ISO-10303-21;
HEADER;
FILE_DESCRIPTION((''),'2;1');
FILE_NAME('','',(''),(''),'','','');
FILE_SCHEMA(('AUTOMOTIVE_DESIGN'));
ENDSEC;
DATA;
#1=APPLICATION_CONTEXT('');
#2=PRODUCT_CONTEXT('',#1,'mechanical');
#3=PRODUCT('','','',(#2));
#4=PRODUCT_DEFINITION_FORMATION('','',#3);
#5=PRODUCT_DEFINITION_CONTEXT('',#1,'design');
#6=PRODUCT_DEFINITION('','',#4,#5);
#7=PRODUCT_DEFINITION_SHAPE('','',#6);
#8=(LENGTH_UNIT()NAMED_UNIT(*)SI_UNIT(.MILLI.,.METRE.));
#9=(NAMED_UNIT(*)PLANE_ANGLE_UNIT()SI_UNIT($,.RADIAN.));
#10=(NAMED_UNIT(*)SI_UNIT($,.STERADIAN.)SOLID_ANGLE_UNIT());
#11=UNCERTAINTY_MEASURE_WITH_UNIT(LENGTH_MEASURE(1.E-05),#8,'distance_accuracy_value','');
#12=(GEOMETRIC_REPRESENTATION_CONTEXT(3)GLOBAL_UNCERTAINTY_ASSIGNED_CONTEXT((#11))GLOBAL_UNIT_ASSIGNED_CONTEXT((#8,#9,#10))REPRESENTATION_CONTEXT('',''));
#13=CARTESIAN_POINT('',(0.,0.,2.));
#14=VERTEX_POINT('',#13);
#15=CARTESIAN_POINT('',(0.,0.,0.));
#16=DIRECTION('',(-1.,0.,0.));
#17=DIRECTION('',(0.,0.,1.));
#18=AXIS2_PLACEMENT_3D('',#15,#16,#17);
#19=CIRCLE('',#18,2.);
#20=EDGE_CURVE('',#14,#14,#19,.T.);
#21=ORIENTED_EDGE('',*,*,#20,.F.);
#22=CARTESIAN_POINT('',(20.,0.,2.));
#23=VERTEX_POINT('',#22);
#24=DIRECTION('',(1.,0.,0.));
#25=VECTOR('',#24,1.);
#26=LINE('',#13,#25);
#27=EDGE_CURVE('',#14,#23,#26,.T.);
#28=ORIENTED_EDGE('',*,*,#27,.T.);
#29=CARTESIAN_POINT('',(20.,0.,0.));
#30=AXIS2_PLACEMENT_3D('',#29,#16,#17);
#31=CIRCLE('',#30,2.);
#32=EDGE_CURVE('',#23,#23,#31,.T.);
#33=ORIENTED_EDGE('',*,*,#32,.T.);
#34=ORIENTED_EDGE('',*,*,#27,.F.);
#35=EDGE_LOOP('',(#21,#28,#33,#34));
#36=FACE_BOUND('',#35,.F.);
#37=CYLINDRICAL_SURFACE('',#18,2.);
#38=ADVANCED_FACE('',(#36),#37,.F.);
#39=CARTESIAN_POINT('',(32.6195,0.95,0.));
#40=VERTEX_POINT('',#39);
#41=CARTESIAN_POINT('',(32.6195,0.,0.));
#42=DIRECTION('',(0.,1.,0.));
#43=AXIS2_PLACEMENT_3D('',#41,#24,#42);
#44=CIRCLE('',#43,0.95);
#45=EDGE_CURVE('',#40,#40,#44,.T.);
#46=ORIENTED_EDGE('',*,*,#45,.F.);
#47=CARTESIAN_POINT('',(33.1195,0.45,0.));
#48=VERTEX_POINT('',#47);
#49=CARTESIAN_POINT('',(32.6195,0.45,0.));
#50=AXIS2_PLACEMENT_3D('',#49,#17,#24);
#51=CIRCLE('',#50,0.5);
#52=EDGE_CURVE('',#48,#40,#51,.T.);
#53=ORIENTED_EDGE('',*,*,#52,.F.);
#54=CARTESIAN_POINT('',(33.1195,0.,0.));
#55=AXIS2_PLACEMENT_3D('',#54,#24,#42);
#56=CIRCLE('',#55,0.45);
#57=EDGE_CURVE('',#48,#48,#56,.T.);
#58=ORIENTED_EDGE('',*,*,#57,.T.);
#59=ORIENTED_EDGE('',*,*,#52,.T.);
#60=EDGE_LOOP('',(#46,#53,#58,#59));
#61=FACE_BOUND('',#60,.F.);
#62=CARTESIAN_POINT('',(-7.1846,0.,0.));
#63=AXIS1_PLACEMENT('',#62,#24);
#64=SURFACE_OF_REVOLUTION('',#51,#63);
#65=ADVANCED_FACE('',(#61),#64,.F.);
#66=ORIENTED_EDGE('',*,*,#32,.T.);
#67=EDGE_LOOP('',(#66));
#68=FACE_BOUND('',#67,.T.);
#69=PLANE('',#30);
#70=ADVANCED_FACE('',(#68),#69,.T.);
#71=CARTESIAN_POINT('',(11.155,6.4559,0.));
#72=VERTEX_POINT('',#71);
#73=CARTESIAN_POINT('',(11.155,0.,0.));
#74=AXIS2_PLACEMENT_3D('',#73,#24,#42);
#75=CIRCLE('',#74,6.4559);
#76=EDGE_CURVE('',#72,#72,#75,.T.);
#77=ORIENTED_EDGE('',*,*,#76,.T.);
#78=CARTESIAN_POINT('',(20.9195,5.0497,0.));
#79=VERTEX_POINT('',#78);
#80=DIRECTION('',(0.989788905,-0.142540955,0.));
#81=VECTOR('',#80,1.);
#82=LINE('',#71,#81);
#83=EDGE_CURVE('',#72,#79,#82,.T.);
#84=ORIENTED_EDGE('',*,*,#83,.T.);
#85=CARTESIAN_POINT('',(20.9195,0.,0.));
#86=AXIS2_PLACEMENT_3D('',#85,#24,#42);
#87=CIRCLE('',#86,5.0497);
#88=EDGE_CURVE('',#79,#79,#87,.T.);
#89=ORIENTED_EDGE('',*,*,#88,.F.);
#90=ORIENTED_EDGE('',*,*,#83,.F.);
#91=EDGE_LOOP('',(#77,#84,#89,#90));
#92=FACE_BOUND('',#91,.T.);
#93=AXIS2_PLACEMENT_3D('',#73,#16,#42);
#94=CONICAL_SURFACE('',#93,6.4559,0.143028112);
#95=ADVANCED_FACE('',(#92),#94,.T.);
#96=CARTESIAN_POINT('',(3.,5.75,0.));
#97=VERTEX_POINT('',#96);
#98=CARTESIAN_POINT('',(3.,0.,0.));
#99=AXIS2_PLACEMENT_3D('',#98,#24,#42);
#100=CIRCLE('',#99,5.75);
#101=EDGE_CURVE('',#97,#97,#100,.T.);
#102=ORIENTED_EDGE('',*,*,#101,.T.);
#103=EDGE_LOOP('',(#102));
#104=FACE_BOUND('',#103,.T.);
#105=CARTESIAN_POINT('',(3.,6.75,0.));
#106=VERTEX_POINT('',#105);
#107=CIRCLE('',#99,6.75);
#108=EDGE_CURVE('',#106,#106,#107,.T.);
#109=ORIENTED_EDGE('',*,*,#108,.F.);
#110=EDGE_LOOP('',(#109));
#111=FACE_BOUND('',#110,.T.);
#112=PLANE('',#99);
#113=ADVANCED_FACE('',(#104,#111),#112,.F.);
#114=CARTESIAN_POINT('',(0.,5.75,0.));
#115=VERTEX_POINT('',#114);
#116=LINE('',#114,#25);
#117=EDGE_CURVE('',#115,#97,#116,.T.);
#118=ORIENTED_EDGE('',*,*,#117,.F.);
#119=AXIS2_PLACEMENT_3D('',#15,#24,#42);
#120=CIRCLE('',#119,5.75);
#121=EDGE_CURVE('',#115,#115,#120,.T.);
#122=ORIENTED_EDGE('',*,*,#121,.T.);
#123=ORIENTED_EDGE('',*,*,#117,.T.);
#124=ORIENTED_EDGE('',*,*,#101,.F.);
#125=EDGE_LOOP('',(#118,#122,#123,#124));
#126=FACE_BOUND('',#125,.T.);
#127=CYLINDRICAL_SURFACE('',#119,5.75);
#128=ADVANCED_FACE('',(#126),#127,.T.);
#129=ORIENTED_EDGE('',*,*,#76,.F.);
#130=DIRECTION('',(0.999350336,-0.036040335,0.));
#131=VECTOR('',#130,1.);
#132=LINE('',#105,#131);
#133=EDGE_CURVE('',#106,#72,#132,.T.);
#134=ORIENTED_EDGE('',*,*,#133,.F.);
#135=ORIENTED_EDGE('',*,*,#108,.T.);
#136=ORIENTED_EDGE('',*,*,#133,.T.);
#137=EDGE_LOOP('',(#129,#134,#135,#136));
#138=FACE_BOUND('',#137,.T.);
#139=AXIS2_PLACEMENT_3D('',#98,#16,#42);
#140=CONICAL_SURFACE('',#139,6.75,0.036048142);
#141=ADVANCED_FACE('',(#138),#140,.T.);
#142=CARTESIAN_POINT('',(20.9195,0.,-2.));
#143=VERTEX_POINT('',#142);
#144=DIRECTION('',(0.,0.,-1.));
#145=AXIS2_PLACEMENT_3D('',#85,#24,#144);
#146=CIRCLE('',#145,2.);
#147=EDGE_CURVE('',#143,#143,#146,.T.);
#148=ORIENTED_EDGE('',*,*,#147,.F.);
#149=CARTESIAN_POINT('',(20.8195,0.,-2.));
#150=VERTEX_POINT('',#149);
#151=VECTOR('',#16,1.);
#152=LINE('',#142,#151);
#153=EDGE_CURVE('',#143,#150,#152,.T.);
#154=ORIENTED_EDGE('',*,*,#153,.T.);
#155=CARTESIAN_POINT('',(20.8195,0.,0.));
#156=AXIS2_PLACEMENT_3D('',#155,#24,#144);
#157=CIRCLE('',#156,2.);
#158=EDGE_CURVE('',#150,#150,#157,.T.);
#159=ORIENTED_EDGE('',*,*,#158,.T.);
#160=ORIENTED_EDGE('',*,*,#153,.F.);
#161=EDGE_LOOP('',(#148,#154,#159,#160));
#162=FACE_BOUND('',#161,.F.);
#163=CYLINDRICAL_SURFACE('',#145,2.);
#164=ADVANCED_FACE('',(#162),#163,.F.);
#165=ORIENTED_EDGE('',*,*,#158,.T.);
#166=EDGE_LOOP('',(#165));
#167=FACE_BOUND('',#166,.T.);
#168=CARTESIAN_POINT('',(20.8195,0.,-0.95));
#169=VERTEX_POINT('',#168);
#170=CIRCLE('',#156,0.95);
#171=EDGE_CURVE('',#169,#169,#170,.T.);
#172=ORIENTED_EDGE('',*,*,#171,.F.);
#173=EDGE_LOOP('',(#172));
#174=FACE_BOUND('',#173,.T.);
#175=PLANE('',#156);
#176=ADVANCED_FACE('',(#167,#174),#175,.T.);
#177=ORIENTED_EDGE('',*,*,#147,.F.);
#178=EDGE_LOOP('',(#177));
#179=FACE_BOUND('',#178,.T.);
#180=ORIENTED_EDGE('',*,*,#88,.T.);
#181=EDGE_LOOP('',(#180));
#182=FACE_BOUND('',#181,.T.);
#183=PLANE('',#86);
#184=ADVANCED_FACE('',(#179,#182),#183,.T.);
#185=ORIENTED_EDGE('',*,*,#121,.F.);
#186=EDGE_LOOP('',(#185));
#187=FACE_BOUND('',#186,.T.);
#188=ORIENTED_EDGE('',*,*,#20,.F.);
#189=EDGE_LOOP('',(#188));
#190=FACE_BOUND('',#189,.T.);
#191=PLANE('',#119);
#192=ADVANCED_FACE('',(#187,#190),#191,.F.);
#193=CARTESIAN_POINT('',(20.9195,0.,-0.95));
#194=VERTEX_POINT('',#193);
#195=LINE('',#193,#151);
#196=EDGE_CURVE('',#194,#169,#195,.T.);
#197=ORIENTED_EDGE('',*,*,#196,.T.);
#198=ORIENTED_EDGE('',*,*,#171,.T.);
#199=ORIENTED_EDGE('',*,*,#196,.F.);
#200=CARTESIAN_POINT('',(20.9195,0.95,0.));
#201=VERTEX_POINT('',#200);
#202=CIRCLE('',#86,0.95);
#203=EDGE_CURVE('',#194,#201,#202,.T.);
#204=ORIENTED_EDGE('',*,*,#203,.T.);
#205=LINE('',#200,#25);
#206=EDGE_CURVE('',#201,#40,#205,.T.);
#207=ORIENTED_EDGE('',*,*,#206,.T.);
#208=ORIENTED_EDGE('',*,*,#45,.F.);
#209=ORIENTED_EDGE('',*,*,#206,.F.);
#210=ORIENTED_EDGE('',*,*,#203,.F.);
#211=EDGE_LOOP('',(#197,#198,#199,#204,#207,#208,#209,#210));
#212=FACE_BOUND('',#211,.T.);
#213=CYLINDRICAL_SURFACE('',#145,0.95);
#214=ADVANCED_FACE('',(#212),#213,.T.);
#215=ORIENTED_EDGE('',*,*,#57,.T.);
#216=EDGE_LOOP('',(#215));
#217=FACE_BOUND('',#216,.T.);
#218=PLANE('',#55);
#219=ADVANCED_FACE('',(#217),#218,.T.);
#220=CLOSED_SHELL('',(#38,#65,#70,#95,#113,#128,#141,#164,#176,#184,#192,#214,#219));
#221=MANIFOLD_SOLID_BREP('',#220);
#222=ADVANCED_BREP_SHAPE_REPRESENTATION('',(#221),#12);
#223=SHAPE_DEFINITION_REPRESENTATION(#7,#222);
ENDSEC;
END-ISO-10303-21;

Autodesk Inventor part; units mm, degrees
ref_plane "YZ Plane" through (0, 0, 0) normal (1, 0, 0) x (0, 1, 0)
ref_plane "XZ Plane" through (0, 0, 0) normal (0, 1, 0) x (-1, 0, 0)
ref_plane "XY Plane" through (0, 0, 0) normal (0, 0, 1) x (1, 0, 0)
sketch "Sketch1" plane through (0, 0, 0) normal (0, 0, 1) x (1, 0, 0)
  line L0 (0, 0) -> (0, 5.75)
  line L1 (0, 5.75) -> (3, 5.75)
  line L2 (3, 5.75) -> (3, 6.75)
  line L3 (20.9195, 5.0497) -> (20.9195, 0.95)
  line L4 (20.9195, 0.95) -> (32.6195, 0.95)
  line L5 (33.1195, 0.45) -> (33.1195, 0)
  line L6 (33.1195, 0) -> (0, 0)
  arc A0 (33.1195, 0.45) -> (32.6195, 0.95) centre (32.6195, 0.45) ccw
  line L7 (-7.1846, 0) -> (0, 0) construction
  line L8 (3, 6.75) -> (11.155, 6.4559)
  line L9 (11.155, 6.4559) -> (20.9195, 5.0497)
  point P0 (33.1195, 0.95)
  dimension "d0" = 5.75
  dimension "d1" = 3
  dimension "d2" = 1
  dimension "d3" = 18
  dimension "d5" = 12.2
  dimension "d6" = 0.5
  dimension "d11" = 0.95
revolve "Revolution1" add sketch "Sketch1" angle 360 about axis through (-7.1846, 0, 0) along (1, 0, 0)
sketch "Sketch2" plane through (0, 0, 0) normal (-1, 0, 0) x (0, 0, 1)
  circle A0 centre (0, 0) radius 2
  dimension "d8" = 4
extrude "Extrusion1" cut sketch "Sketch2" against normal blind 20
sketch "Sketch3" plane through (20.9195, 0, 0) normal (1, 0, 0) x (0, 0, -1)
  circle A0 centre (0, 0) radius 0.45 projected
  circle A1 centre (0, 0) radius 2
  circle A2 centre (0, 0) radius 0.95 projected
  circle A3 centre (0, 0) radius 0.95
  dimension "d12" = 4
extrude "Extrusion2" cut sketch "Sketch3" against normal blind 0.1 contours A1
properties part number "CT3149-0-Banana-Connector"
